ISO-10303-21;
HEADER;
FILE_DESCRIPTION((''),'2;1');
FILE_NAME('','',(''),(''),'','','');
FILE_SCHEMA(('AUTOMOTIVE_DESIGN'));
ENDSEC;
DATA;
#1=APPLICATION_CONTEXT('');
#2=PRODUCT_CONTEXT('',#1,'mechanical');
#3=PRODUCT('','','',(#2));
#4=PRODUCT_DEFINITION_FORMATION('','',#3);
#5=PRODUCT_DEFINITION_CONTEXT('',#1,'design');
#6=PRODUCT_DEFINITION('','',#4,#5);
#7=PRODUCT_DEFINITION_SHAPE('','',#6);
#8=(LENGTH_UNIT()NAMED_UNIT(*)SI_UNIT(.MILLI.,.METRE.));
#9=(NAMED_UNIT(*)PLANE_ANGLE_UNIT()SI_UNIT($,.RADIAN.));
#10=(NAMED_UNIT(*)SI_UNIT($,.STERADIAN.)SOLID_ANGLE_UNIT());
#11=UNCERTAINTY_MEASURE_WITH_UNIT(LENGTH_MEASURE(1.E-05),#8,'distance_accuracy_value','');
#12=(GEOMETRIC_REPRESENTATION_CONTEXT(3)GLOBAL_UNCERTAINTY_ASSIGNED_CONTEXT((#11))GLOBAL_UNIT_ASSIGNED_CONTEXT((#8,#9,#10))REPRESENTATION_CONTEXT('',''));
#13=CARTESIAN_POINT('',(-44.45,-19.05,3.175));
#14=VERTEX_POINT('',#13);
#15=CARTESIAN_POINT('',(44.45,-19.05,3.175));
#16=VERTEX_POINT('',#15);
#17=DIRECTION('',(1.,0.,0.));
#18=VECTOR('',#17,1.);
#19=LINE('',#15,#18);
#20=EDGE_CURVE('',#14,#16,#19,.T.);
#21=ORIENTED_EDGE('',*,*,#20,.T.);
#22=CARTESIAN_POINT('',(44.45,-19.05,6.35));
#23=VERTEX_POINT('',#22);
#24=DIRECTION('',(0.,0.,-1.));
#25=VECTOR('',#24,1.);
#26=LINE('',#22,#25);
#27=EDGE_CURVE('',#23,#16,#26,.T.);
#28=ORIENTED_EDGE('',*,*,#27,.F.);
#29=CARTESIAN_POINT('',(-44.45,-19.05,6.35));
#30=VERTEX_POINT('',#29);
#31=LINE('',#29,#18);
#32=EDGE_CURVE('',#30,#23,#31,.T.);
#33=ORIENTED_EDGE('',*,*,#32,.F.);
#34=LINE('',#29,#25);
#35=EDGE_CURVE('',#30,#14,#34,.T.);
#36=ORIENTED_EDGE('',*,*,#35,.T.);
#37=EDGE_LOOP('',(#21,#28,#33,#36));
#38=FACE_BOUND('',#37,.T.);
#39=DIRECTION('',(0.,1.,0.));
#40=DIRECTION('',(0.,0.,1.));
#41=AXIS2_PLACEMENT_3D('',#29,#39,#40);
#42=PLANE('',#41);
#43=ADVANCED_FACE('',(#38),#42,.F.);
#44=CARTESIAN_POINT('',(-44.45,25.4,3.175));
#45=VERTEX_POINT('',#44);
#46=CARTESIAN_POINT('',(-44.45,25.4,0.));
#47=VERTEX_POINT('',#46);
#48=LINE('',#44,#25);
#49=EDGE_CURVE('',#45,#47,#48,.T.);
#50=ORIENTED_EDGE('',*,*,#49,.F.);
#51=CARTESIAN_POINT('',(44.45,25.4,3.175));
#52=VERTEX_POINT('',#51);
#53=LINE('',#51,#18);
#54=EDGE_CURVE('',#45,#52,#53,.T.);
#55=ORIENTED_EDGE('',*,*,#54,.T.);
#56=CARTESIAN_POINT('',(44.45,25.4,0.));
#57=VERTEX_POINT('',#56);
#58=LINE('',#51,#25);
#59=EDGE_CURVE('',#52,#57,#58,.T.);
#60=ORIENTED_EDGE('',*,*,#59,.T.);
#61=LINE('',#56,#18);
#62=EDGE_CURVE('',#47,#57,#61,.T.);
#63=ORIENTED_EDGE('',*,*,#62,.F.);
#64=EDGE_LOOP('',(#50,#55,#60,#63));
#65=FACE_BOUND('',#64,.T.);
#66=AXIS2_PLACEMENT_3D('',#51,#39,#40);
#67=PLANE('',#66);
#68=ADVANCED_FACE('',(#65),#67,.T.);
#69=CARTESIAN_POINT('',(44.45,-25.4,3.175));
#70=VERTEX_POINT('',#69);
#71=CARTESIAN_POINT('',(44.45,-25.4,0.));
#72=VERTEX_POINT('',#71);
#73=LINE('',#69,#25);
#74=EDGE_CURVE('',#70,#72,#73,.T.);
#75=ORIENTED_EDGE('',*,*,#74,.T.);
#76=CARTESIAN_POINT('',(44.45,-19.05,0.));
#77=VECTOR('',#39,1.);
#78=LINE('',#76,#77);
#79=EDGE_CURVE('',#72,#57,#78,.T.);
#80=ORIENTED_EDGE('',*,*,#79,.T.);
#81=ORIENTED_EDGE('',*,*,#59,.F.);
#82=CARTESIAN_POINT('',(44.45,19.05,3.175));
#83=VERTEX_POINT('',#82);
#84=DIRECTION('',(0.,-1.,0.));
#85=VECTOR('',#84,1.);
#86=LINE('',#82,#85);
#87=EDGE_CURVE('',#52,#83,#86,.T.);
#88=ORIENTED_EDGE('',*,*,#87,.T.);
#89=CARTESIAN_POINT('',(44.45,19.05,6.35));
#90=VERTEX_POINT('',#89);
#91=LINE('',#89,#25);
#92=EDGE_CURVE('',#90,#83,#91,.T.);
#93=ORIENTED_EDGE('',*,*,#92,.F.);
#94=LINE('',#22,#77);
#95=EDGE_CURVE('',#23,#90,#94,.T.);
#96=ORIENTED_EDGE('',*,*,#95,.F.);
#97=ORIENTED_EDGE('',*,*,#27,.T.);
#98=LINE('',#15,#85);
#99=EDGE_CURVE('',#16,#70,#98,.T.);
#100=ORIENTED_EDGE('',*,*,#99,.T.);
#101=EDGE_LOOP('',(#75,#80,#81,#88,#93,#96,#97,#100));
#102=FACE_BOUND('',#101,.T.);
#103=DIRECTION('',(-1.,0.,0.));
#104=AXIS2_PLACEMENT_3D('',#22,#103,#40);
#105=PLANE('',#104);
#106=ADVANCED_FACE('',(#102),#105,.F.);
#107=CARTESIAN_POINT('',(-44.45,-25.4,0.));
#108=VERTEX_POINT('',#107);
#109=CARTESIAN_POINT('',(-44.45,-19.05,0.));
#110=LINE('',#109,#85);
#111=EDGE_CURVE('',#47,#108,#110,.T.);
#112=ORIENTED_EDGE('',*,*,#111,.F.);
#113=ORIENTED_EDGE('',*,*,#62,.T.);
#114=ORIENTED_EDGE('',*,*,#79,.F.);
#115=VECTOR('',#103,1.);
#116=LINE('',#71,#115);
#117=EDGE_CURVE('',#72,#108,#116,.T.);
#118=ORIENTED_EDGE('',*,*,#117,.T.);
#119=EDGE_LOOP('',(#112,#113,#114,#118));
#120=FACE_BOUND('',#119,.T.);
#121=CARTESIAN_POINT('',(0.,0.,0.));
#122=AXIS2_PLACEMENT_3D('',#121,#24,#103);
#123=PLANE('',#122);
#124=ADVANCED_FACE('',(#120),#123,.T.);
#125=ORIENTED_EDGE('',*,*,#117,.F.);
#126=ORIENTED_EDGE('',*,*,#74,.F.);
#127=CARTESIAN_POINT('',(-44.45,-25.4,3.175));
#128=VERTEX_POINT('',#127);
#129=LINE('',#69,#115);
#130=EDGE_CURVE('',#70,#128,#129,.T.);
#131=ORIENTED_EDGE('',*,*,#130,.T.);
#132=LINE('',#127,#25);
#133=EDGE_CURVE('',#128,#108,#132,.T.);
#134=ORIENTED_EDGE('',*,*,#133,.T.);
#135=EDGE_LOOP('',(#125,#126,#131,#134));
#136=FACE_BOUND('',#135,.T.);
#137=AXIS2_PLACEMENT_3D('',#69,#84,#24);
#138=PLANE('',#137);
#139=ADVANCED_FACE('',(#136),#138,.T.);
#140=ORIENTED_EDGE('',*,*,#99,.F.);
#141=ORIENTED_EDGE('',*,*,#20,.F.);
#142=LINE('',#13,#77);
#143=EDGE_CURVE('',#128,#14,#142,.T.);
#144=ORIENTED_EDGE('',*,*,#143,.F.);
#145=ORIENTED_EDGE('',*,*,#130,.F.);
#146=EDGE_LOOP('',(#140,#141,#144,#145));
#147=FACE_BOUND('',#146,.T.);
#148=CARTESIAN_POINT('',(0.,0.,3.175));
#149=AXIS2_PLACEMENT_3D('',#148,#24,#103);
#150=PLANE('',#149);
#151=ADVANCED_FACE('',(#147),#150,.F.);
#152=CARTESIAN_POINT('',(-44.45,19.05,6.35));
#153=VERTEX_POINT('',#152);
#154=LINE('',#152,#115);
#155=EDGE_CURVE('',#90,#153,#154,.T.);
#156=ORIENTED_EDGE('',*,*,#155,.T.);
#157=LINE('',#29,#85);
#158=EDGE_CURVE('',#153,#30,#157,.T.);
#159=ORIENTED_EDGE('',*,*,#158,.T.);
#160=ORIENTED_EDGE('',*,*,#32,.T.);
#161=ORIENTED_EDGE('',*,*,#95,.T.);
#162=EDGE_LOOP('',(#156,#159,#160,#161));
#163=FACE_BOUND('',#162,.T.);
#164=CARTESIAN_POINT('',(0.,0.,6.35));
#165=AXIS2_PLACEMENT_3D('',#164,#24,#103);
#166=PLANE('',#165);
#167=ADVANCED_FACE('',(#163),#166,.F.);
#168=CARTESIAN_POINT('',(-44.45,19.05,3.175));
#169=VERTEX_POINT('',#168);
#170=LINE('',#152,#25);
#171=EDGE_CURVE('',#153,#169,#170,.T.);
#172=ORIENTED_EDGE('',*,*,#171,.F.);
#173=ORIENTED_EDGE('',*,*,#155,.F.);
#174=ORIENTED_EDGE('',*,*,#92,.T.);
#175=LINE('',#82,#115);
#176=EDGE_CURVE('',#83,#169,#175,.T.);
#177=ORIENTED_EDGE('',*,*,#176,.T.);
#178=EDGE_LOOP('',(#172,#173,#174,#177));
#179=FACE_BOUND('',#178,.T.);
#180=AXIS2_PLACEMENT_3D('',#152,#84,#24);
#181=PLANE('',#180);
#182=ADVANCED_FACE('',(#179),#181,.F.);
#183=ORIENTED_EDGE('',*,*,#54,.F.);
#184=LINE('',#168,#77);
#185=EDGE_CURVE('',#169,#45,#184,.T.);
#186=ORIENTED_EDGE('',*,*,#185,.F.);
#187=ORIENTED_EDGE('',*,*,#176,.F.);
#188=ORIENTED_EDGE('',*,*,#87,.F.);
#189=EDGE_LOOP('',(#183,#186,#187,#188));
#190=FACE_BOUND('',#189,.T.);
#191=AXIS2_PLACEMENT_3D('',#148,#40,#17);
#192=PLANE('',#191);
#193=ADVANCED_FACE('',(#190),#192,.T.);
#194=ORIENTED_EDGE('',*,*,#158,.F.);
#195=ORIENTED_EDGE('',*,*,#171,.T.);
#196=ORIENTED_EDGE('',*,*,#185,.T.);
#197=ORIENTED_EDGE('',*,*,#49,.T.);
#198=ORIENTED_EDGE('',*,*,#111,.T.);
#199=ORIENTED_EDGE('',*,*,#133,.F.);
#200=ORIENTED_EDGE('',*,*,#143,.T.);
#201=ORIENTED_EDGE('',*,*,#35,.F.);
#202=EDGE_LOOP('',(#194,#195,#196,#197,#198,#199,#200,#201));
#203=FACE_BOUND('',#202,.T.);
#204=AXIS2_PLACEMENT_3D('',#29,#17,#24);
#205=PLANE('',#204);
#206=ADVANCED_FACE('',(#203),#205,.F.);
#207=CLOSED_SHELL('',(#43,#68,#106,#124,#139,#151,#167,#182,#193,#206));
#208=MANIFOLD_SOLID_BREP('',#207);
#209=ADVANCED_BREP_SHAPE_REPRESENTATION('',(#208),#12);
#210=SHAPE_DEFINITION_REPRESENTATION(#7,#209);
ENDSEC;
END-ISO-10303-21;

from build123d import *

# Parameters (mm, degrees)
SKETCH1_W           = 88.9
SKETCH1_H           = 38.1
BOSS_EXTRUDE1_DEPTH = 6.35
SKETCH2_W           = 88.9
SKETCH2_H           = 6.35
BOSS_EXTRUDE2_DEPTH = 3.175


with BuildPart() as part:
    # Sketch1 → Boss-Extrude1 (new body)
    with BuildSketch(Plane.XY):
        Rectangle(SKETCH1_W, SKETCH1_H)
    extrude(amount=BOSS_EXTRUDE1_DEPTH)

    # Sketch2 → Boss-Extrude2 (add)
    with BuildSketch(Plane(origin=(0, 0, 0), x_dir=(-1, 0, 0), z_dir=(0, 0, -1))):
        with Locations((0, 22.225)):
            Rectangle(SKETCH2_W, SKETCH2_H)
        with Locations((0, -22.225)):
            Rectangle(SKETCH2_W, SKETCH2_H)
    extrude(amount=-BOSS_EXTRUDE2_DEPTH)


solid = part.part
